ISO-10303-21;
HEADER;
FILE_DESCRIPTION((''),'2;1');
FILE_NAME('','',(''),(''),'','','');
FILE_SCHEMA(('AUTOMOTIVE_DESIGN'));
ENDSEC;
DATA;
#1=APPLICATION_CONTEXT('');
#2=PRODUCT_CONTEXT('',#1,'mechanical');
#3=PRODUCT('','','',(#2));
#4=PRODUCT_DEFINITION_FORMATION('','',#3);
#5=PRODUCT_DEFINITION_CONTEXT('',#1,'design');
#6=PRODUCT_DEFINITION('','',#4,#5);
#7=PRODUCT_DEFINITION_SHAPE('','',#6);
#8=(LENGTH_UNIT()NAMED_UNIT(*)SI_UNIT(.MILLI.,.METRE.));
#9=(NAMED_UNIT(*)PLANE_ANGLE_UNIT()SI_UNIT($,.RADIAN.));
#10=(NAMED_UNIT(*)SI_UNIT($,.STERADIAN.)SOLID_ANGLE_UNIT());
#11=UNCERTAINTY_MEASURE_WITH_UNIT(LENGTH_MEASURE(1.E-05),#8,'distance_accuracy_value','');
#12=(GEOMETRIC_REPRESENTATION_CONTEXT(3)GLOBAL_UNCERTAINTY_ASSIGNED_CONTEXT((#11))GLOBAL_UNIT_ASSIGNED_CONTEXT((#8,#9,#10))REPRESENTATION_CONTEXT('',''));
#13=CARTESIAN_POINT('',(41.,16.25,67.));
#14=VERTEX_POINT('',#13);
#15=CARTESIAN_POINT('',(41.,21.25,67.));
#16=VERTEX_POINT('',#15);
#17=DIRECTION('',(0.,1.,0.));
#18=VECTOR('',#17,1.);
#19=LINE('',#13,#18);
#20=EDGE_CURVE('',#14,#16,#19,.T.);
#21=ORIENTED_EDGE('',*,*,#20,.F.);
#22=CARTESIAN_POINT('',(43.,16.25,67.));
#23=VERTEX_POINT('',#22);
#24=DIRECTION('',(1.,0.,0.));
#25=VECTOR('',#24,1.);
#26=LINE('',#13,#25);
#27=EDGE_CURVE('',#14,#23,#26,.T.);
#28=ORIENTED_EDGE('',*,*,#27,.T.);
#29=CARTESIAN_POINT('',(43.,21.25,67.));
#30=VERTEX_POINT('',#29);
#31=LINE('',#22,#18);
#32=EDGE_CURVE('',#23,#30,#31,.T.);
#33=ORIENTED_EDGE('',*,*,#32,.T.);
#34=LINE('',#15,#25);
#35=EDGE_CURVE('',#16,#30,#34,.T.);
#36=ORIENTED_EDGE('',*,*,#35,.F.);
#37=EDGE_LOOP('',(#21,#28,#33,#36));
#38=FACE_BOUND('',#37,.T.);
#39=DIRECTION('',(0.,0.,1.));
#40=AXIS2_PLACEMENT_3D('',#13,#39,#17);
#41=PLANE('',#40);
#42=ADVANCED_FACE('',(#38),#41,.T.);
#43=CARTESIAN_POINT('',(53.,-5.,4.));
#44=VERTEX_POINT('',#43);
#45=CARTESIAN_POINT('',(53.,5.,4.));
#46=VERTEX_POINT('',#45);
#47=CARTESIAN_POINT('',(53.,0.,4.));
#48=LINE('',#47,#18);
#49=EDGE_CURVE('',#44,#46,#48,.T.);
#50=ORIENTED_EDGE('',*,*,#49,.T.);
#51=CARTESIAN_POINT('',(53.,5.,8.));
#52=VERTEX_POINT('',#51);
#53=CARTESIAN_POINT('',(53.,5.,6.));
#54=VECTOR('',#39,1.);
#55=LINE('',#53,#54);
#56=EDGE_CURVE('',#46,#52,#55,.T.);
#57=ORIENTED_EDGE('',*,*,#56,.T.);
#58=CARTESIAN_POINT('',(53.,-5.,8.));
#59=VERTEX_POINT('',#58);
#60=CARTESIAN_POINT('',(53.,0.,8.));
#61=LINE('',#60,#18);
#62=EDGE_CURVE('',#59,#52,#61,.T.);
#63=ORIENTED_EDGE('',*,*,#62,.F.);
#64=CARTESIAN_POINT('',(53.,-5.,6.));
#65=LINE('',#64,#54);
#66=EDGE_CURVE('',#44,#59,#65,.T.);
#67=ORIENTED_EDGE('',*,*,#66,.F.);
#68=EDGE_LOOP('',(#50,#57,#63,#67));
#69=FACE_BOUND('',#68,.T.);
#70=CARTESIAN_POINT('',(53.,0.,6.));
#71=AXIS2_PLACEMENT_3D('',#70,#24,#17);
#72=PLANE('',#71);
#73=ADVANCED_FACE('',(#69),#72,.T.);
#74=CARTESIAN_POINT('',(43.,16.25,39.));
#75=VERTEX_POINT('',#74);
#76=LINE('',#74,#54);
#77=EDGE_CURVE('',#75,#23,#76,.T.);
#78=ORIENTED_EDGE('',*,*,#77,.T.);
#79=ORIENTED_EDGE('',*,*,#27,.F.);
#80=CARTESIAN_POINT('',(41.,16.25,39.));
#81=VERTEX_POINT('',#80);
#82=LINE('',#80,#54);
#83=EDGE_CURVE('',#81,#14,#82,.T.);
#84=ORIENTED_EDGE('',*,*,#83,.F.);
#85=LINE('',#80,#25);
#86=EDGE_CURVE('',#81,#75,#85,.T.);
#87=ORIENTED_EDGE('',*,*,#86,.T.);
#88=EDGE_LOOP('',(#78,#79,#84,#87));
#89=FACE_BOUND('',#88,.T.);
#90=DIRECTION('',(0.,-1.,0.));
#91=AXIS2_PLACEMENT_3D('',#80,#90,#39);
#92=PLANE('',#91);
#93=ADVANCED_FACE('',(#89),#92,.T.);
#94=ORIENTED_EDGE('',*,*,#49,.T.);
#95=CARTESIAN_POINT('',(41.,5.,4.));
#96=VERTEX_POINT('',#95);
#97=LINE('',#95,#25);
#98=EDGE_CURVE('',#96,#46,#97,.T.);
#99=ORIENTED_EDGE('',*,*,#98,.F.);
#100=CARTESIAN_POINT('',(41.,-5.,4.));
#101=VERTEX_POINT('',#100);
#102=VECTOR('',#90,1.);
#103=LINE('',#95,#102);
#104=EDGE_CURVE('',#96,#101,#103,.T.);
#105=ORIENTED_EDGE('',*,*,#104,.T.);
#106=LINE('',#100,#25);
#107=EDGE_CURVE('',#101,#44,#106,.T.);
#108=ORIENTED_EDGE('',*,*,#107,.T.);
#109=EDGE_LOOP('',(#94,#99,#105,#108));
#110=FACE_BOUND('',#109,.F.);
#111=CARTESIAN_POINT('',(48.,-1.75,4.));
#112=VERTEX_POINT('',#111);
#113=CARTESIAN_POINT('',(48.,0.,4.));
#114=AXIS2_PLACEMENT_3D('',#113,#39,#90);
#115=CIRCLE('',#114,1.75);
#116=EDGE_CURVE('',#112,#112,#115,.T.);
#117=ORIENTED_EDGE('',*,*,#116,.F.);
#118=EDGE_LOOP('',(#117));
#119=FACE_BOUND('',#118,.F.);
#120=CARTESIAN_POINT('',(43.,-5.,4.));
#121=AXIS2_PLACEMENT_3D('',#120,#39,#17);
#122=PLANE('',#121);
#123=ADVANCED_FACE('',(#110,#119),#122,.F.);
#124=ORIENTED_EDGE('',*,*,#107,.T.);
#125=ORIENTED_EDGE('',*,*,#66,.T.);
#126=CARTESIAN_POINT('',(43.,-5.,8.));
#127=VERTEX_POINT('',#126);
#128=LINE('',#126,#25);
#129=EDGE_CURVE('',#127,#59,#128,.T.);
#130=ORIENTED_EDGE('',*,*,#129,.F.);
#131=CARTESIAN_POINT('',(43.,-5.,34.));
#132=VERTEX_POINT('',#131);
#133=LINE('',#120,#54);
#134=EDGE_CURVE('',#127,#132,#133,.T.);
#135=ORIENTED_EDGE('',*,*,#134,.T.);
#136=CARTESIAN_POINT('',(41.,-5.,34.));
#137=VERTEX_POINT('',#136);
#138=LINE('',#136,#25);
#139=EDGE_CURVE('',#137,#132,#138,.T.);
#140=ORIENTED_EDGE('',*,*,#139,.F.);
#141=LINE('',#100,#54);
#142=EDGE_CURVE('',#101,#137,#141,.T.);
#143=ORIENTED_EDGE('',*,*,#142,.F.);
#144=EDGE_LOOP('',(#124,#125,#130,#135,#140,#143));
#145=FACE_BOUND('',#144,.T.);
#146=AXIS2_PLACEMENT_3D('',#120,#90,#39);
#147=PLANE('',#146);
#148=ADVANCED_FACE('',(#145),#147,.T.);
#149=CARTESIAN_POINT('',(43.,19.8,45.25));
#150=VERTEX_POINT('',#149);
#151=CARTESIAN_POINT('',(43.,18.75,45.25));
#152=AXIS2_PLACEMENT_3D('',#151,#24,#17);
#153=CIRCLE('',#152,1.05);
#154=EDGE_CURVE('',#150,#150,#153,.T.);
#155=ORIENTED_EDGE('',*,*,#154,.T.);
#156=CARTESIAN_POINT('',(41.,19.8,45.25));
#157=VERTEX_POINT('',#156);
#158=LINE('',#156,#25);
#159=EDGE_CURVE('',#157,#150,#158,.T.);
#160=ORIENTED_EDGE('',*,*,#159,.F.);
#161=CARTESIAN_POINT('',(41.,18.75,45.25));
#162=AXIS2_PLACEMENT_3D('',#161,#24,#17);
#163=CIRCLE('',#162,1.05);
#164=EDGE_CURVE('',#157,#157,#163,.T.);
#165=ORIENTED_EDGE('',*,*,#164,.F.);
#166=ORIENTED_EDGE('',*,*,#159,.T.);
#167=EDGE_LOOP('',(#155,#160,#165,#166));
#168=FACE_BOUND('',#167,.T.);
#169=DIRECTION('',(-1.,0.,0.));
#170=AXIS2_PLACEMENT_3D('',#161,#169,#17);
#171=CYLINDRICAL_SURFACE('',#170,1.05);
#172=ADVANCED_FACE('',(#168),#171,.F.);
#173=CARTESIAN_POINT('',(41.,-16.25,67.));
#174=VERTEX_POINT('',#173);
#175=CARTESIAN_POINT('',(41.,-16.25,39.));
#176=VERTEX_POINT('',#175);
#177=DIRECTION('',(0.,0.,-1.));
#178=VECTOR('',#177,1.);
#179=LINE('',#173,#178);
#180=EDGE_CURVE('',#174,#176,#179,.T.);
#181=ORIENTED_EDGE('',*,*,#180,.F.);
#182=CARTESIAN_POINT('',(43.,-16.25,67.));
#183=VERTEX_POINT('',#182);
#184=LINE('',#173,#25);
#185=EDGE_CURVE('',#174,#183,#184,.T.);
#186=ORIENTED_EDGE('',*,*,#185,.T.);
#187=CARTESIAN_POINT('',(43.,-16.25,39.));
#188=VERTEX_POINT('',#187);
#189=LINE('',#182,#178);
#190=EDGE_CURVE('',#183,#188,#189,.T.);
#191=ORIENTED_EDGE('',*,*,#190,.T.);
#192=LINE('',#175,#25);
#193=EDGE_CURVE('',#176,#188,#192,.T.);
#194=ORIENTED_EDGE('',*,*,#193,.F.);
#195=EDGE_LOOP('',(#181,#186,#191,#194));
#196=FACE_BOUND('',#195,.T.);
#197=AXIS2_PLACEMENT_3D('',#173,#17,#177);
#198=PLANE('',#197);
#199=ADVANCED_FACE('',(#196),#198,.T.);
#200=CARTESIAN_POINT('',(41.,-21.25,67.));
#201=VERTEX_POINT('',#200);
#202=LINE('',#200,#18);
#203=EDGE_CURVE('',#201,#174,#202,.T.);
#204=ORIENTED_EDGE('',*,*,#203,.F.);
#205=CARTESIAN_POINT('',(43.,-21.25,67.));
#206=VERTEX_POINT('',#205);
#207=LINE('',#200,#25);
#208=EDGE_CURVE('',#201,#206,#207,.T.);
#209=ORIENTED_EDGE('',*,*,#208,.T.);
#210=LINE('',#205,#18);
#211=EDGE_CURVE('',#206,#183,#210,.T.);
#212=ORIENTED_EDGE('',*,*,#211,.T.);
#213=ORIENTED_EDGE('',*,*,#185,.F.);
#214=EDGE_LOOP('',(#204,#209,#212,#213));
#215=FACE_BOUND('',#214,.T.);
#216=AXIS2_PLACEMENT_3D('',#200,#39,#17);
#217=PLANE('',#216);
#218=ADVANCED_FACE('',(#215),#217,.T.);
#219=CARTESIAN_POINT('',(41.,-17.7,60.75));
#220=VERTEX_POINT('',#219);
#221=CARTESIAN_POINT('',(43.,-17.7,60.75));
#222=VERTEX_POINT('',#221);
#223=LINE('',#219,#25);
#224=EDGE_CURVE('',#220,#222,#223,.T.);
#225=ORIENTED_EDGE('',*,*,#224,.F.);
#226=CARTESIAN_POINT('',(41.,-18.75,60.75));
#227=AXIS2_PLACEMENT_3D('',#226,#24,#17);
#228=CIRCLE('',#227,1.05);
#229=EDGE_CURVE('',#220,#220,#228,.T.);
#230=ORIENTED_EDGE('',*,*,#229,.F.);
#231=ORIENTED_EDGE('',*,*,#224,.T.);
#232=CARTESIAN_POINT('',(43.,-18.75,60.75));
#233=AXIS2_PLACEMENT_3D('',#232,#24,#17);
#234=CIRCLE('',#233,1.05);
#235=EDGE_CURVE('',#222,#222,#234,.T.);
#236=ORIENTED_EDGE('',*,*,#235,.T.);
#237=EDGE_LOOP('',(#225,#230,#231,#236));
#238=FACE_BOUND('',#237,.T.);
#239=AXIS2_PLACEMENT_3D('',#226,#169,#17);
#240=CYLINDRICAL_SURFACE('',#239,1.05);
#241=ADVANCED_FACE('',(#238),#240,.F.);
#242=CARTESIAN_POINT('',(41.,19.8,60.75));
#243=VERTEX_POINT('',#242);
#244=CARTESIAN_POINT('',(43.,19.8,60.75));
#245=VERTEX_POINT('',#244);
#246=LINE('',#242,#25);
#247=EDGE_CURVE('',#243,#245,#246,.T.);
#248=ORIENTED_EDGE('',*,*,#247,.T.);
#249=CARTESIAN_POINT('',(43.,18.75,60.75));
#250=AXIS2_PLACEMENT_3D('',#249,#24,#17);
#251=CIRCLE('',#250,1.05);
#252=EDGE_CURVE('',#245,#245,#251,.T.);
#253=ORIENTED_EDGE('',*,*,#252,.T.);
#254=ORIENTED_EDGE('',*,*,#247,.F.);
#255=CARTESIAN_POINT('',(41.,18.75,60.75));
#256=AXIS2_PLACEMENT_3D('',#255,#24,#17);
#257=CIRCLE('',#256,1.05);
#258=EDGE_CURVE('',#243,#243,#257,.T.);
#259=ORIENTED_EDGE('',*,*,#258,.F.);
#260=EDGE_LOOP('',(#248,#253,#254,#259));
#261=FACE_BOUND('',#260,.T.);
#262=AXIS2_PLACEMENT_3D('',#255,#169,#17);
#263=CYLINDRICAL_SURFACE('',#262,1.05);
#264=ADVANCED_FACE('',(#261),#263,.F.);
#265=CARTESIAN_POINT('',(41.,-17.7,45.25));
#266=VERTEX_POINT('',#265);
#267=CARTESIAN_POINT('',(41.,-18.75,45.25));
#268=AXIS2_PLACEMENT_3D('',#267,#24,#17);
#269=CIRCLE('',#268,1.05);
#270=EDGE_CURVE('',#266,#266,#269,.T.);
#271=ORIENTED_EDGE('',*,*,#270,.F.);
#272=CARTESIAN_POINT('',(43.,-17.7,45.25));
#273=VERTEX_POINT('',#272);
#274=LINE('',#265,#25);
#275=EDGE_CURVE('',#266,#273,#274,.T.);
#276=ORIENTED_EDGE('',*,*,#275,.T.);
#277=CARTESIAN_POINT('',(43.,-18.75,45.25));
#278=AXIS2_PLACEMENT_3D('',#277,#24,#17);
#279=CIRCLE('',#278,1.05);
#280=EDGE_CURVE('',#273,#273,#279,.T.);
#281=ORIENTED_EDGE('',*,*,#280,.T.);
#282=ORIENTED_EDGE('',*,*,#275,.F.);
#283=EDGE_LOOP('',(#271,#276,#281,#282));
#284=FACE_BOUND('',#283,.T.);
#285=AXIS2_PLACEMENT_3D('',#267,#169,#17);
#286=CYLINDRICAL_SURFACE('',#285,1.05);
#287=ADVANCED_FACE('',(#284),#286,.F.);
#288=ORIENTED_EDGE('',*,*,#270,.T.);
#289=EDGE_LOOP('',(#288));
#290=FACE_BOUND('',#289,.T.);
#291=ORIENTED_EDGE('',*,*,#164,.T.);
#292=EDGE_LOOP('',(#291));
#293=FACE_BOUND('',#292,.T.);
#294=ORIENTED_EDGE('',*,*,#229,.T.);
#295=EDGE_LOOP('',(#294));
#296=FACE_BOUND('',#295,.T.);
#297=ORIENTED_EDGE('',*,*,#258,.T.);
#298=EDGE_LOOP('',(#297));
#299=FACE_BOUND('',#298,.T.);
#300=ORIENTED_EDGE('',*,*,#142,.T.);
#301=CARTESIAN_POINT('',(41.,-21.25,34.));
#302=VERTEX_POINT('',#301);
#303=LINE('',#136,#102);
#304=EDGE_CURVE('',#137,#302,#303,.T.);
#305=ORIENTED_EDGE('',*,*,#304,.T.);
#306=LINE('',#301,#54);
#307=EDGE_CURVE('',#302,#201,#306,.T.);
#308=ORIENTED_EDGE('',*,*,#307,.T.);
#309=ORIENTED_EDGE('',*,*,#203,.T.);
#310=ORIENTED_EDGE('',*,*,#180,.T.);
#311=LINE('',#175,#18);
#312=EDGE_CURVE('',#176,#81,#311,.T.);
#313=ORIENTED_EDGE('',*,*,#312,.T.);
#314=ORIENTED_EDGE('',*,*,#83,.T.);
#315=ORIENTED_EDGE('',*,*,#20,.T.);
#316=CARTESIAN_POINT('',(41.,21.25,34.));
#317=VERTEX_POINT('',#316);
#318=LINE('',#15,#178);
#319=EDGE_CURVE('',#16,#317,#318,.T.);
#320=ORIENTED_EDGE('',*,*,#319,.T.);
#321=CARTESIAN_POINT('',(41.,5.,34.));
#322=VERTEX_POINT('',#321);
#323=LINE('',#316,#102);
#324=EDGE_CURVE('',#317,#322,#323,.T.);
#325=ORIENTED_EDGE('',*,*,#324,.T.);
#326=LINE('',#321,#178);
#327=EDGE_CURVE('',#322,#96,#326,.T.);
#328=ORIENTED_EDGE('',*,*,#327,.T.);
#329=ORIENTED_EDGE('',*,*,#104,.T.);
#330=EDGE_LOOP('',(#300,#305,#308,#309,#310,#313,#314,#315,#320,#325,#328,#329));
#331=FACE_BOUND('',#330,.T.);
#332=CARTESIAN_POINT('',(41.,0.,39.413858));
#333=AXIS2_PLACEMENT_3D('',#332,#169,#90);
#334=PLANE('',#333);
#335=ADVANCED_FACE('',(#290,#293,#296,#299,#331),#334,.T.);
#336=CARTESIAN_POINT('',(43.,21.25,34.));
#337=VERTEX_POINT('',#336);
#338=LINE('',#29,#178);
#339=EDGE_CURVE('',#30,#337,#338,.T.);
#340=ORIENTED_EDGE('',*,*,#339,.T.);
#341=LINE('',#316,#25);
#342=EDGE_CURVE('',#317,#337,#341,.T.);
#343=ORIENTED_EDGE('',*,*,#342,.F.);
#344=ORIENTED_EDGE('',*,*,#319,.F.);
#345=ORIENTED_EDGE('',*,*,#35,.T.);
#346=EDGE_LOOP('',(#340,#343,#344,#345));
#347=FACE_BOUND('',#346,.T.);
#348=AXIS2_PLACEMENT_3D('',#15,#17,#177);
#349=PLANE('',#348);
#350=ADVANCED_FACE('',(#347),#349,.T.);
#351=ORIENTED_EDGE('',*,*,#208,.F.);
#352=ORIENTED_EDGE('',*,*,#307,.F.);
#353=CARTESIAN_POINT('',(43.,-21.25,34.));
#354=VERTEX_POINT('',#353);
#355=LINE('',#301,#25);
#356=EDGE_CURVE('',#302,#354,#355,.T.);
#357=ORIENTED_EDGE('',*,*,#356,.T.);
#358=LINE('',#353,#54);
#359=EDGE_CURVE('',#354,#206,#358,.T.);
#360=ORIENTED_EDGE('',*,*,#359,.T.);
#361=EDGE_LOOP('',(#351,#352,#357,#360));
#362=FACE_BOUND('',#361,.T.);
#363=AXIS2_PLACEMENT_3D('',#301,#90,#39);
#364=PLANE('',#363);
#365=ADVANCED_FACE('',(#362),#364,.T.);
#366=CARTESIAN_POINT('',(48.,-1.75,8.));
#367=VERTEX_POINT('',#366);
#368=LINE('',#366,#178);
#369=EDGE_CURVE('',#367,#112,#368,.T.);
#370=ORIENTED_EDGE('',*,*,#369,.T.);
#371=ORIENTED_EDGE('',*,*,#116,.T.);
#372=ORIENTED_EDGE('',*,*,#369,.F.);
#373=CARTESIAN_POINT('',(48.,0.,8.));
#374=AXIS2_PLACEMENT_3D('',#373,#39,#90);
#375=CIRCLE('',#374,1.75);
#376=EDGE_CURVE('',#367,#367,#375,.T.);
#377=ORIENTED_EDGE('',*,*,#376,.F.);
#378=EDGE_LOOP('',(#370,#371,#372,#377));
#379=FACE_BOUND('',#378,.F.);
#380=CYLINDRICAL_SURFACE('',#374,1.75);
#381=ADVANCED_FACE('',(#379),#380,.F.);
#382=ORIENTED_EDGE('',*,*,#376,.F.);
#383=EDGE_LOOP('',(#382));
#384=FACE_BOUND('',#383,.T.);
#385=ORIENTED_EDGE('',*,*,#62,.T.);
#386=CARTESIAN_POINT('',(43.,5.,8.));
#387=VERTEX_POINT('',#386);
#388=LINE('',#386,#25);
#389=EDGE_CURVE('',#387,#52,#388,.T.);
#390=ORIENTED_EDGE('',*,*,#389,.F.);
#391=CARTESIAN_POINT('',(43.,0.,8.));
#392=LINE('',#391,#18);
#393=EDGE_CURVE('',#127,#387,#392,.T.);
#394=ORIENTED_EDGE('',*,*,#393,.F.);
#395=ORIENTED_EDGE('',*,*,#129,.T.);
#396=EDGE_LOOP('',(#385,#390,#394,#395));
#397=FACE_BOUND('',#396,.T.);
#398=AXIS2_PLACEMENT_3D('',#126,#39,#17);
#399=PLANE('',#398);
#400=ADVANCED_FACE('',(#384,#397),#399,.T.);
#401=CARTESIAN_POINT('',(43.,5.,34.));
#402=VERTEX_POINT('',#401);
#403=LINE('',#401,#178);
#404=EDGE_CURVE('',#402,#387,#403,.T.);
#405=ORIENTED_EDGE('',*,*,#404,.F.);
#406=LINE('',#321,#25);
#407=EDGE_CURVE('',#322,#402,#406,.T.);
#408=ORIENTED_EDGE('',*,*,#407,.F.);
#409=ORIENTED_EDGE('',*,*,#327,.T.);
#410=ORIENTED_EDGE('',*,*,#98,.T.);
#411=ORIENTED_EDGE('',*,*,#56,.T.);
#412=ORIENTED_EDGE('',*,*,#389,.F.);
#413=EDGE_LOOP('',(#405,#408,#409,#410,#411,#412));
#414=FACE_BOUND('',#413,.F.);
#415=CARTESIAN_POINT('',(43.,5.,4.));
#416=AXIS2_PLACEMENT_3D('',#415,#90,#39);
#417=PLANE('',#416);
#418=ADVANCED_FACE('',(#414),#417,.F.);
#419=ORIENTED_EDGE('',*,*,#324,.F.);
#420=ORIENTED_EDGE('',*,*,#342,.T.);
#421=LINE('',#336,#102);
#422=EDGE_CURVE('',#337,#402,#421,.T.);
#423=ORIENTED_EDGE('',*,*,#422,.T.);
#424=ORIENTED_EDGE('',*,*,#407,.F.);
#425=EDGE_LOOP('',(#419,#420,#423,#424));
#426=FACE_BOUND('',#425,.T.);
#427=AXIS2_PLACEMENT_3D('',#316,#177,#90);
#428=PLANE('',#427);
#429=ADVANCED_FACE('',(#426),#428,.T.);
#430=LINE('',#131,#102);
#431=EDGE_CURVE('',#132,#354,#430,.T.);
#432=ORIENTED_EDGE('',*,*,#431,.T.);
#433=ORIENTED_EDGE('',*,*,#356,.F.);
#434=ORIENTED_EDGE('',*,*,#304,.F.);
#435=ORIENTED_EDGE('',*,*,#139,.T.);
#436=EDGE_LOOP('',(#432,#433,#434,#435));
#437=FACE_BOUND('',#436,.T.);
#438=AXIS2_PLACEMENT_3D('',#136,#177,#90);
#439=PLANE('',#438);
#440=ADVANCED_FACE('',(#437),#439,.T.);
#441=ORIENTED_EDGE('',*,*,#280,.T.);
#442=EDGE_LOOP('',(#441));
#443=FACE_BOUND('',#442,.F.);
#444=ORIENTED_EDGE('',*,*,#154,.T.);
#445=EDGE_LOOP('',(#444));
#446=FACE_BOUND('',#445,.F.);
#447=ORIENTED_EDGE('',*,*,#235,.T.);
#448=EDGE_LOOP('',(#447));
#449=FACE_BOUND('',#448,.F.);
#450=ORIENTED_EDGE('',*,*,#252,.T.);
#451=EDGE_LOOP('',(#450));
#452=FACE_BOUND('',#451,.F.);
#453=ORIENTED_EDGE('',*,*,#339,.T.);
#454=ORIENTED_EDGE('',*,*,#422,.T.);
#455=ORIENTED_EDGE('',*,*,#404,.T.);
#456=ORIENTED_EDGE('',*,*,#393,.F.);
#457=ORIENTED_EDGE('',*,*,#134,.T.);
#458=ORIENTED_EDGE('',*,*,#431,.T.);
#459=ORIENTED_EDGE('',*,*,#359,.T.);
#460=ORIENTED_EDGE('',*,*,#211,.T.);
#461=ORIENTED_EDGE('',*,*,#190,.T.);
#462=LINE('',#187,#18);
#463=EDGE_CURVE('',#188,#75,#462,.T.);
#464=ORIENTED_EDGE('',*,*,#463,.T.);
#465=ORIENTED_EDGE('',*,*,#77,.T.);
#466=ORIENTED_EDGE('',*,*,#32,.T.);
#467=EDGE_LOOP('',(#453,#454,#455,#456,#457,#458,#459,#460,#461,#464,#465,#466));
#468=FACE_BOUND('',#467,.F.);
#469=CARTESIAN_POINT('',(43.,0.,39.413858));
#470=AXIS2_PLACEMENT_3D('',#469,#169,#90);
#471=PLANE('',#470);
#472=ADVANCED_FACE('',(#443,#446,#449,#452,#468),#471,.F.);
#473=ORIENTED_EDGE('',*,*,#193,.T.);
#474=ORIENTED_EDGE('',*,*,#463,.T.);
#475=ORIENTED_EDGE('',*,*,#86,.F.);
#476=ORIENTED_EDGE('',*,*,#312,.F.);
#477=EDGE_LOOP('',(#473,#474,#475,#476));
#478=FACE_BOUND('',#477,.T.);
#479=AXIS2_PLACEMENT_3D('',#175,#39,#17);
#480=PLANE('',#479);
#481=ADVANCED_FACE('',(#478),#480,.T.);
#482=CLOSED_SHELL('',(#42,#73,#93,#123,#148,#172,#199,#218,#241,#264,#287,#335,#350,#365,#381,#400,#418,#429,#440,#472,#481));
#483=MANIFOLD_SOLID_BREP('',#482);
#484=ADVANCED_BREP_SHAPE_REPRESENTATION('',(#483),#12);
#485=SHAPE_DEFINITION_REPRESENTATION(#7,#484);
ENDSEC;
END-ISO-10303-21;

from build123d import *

# Parameters (mm, degrees)
SKETCH056_R     = 1.05
PAD039_DEPTH    = 2
SKETCH057_W     = 10
SKETCH057_H     = 4
PAD040_DEPTH    = 10
SKETCH058_R     = 1.75
POCKET009_DEPTH = 4.001


with BuildPart() as part:
    # Sketch056 → Pad039 (new body)
    with BuildSketch(Plane.YZ):
        Polygon((-21.25, 67), (-16.25, 67), (-16.25, 39), (16.25, 39), (16.25, 67), (21.25, 67), (21.25, 34), (5, 34), (5, 4), (-5, 4), (-5, 34), (-21.25, 34), align=None)
        with Locations((-18.75, 60.75)):
            Circle(SKETCH056_R, mode=Mode.SUBTRACT)
        with Locations((-18.75, 45.25)):
            Circle(SKETCH056_R, mode=Mode.SUBTRACT)
        with Locations((18.75, 45.25)):
            Circle(SKETCH056_R, mode=Mode.SUBTRACT)
        with Locations((18.75, 60.75)):
            Circle(SKETCH056_R, mode=Mode.SUBTRACT)
    extrude(amount=PAD039_DEPTH)

    # Sketch057 (on Face18 of Pad039) → Pad040 (join)
    with BuildSketch(Plane.YZ.offset(2)):
        with Locations((0, 6)):
            Rectangle(SKETCH057_W, SKETCH057_H)
    extrude(amount=PAD040_DEPTH)

    # Sketch058 (on Face19 of Pad040) → Pocket009 (cut, through all)
    with BuildSketch(Plane(origin=(0, 0, 8), x_dir=(0, -1, 0), z_dir=(0, 0, 1))):
        with Locations((0, 7)):
            Circle(SKETCH058_R)
    extrude(amount=-POCKET009_DEPTH, mode=Mode.SUBTRACT)


with BuildPart() as part_1:
    # Body013 placement: moved
    add(part.part.moved(Location((41, 0, 0))))


solid = part_1.part
